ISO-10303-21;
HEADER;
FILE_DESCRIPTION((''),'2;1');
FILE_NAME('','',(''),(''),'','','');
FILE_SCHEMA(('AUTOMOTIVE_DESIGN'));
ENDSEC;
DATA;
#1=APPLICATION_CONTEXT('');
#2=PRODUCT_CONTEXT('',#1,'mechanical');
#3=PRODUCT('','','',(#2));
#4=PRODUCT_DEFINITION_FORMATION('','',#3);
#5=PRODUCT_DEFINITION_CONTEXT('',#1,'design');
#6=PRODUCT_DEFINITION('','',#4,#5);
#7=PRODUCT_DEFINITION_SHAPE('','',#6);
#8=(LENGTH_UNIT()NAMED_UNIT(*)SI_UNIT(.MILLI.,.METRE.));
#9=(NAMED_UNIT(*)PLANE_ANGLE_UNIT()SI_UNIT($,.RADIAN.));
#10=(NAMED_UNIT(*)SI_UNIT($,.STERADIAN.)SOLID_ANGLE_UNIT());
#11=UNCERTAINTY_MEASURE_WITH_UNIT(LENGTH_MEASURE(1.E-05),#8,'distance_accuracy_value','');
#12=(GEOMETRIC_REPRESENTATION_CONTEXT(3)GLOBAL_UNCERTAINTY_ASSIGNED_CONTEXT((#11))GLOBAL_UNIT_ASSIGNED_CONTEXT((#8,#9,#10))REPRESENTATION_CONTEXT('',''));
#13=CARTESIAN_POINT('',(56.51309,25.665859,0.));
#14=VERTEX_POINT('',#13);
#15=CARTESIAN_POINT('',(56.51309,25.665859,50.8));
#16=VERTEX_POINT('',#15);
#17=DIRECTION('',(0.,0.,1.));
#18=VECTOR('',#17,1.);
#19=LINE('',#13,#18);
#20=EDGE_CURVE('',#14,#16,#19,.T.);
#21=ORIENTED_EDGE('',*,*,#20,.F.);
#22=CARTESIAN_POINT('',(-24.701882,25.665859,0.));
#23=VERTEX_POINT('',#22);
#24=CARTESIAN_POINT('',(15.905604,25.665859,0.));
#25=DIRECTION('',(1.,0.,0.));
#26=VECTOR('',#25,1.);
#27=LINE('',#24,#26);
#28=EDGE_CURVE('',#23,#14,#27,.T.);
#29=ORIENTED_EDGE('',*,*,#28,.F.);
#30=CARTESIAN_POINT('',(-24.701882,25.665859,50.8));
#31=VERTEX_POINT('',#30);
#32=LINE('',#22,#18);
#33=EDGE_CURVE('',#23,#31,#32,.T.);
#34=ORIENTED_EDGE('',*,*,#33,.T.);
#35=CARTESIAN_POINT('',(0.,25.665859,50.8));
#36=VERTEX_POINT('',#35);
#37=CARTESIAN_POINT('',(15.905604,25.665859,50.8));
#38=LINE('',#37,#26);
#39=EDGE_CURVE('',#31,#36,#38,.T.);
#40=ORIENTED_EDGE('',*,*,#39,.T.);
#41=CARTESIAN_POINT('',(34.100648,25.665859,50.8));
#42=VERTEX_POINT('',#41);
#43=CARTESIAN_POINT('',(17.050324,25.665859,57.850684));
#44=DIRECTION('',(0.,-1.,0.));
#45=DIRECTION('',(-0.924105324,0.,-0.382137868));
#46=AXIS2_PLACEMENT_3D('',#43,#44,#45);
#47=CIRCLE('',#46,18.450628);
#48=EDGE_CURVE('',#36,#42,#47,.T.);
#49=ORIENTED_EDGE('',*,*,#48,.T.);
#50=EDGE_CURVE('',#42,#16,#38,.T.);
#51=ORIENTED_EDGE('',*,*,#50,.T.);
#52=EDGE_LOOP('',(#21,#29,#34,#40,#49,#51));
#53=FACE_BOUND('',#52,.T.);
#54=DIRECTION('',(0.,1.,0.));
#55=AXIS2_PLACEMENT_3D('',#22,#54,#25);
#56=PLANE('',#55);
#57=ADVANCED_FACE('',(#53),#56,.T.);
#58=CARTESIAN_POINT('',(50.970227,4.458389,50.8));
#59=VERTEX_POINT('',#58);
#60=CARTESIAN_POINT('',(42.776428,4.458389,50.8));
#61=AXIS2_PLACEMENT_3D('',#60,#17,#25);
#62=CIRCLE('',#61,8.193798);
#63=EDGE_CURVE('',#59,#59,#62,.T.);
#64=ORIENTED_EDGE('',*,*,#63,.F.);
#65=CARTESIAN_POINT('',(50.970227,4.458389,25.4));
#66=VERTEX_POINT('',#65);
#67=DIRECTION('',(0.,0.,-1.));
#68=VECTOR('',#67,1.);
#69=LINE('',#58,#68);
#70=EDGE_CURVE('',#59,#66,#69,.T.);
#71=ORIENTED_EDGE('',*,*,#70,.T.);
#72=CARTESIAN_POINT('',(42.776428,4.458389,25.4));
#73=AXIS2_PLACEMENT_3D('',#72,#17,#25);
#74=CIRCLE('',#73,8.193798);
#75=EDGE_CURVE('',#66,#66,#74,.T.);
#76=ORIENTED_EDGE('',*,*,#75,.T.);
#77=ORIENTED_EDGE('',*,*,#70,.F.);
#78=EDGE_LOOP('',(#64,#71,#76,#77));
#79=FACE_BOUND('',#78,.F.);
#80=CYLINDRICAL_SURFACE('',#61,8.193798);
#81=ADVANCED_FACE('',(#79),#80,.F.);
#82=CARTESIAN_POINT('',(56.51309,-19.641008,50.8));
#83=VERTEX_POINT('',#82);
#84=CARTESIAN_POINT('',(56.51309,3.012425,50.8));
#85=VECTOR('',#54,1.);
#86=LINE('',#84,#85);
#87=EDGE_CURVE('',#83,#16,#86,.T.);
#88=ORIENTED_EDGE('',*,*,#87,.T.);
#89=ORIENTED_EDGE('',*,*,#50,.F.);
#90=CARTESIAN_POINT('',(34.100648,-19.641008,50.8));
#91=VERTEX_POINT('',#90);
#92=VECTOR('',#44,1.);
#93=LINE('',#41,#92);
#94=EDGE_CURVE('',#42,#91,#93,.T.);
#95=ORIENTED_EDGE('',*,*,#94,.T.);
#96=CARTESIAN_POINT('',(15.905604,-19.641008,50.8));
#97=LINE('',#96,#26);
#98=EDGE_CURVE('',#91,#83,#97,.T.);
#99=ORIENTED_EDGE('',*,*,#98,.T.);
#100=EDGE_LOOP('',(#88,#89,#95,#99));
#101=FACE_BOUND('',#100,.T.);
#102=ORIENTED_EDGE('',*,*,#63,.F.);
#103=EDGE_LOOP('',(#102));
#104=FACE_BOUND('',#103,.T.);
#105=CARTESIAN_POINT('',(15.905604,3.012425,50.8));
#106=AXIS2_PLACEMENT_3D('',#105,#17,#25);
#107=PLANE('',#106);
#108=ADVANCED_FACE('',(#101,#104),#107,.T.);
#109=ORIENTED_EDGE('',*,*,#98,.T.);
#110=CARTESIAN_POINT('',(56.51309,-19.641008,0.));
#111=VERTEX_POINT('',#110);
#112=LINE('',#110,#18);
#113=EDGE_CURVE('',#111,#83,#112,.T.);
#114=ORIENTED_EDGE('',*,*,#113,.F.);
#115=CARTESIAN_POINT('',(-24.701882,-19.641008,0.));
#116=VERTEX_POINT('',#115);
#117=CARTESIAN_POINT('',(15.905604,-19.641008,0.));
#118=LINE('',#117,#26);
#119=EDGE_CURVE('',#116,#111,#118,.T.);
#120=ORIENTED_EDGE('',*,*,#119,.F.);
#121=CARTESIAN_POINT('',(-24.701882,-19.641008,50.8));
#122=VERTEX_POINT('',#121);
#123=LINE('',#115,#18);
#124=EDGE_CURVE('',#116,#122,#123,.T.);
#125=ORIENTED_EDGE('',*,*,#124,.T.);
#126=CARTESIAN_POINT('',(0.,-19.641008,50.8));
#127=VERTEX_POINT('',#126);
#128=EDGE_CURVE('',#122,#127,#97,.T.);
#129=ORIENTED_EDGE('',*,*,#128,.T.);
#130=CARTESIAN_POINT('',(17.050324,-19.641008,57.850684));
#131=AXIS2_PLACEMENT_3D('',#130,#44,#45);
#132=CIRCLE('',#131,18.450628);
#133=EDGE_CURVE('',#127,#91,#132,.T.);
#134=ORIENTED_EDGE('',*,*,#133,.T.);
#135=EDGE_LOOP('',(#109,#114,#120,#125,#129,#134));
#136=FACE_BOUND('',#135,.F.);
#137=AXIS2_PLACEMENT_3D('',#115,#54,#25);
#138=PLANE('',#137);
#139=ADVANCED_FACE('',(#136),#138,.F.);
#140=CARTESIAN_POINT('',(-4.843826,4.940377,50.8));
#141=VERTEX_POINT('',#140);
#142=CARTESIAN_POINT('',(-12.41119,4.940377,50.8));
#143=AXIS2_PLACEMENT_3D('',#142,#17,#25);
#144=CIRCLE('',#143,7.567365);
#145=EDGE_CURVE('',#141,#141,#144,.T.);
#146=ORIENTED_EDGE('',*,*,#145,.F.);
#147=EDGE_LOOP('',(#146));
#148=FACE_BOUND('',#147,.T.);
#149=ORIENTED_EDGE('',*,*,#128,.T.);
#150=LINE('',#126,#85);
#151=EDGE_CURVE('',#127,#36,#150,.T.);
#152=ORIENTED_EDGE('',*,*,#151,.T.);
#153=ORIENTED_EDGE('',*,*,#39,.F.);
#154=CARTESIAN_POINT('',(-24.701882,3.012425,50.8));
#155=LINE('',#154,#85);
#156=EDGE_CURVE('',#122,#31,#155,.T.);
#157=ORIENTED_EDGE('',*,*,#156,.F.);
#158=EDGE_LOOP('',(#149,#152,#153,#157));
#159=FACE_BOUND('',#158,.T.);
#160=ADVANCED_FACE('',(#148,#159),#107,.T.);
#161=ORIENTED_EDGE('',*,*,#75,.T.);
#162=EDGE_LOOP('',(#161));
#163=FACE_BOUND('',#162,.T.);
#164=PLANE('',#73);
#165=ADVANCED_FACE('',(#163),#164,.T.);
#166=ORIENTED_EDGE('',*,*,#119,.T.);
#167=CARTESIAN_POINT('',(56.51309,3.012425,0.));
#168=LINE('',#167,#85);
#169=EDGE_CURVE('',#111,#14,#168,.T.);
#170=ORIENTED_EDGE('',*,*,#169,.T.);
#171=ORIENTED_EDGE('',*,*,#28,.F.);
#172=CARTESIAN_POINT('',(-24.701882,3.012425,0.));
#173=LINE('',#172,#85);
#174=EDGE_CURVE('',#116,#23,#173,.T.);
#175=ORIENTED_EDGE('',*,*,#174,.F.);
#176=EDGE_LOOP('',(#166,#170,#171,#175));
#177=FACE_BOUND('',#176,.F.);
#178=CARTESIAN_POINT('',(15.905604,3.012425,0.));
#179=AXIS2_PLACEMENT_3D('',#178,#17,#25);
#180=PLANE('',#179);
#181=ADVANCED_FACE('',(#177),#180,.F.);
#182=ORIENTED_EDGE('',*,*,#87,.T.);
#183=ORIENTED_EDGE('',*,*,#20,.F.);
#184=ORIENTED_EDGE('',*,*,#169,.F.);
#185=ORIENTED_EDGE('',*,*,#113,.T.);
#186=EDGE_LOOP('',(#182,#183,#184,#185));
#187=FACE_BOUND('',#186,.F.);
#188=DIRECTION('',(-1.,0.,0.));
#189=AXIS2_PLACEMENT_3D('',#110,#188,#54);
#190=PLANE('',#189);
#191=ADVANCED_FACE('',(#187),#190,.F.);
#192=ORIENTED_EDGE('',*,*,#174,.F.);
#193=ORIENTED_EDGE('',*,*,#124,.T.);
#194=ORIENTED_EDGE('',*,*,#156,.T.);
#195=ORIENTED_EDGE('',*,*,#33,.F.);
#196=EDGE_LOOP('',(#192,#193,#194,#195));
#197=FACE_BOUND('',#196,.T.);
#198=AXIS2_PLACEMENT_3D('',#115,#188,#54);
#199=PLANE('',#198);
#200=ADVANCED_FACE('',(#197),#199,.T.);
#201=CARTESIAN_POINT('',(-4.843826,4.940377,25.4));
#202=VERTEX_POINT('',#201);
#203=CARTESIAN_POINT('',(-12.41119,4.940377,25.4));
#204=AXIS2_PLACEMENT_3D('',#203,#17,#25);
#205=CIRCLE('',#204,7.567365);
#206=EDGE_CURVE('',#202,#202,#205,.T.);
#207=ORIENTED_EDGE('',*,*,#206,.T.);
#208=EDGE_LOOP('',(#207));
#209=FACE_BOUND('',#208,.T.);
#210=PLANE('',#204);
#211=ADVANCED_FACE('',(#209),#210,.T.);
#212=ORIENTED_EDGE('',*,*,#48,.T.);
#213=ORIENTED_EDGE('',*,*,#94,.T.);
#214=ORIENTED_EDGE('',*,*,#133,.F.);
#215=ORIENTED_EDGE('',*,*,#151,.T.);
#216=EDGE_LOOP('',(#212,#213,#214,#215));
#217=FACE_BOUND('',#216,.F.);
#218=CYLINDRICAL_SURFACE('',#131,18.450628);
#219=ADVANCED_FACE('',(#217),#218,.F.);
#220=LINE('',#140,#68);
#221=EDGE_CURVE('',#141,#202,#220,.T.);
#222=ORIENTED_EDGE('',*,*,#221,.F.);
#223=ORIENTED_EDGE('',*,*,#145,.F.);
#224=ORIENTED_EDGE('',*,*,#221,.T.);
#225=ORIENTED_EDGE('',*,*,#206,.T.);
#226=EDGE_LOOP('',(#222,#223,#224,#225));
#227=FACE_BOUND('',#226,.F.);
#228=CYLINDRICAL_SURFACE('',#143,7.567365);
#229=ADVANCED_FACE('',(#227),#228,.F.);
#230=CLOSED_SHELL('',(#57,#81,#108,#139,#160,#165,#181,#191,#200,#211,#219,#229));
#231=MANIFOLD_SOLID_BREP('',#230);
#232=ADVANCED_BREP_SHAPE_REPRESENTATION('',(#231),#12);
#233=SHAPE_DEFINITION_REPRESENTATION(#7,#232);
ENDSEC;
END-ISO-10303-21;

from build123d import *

# Parameters (mm, degrees)
F0_W     = 81.2149718404
F0_H     = 45.3068669885
F1_DEPTH = 50.8
F2_R     = 7.5673646555
F2_R_2   = 8.1937983632
F3_DEPTH = 25.4
F5_DEPTH = 25.4
F7_DEPTH = 25.4


with BuildPart() as f1:
    # F0 (on Top) → F1 (new body)
    with BuildSketch(Plane.XY):
        with Locations((15.9056037664, 3.0124252662)):
            Rectangle(F0_W, F0_H)
    extrude(amount=F1_DEPTH)

    # F2 (on face) → F3 (cut)
    with BuildSketch(Plane.XY.offset(50.8)):
        with Locations((-12.4111901969, 4.940376617)):
            Circle(F2_R)
        with Locations((42.7764281631, 4.4583887793)):
            Circle(F2_R_2)
    extrude(amount=-F3_DEPTH, mode=Mode.SUBTRACT)

    # F4 (on face) → F5 (cut)
    with BuildSketch(Plane.XZ.offset(19.6410082281)):
        with BuildLine():
            Line((34.1006480157, 50.8), (0, 50.8))
            ThreePointArc((0, 50.8), (17.0503240079, 39.4000553567), (34.1006480157, 50.8))
        make_face()
    extrude(amount=-F5_DEPTH, mode=Mode.SUBTRACT)

    # F6 (on face) → F7 (cut)
    with BuildSketch(Plane.XZ.offset(-5.7589917719)):
        with BuildLine():
            Line((34.1006480157, 50.8), (0, 50.8))
            ThreePointArc((0, 50.8), (17.0503240079, 39.4000553567), (34.1006480157, 50.8))
        make_face()
    extrude(amount=-F7_DEPTH, mode=Mode.SUBTRACT)


solid = f1.part
